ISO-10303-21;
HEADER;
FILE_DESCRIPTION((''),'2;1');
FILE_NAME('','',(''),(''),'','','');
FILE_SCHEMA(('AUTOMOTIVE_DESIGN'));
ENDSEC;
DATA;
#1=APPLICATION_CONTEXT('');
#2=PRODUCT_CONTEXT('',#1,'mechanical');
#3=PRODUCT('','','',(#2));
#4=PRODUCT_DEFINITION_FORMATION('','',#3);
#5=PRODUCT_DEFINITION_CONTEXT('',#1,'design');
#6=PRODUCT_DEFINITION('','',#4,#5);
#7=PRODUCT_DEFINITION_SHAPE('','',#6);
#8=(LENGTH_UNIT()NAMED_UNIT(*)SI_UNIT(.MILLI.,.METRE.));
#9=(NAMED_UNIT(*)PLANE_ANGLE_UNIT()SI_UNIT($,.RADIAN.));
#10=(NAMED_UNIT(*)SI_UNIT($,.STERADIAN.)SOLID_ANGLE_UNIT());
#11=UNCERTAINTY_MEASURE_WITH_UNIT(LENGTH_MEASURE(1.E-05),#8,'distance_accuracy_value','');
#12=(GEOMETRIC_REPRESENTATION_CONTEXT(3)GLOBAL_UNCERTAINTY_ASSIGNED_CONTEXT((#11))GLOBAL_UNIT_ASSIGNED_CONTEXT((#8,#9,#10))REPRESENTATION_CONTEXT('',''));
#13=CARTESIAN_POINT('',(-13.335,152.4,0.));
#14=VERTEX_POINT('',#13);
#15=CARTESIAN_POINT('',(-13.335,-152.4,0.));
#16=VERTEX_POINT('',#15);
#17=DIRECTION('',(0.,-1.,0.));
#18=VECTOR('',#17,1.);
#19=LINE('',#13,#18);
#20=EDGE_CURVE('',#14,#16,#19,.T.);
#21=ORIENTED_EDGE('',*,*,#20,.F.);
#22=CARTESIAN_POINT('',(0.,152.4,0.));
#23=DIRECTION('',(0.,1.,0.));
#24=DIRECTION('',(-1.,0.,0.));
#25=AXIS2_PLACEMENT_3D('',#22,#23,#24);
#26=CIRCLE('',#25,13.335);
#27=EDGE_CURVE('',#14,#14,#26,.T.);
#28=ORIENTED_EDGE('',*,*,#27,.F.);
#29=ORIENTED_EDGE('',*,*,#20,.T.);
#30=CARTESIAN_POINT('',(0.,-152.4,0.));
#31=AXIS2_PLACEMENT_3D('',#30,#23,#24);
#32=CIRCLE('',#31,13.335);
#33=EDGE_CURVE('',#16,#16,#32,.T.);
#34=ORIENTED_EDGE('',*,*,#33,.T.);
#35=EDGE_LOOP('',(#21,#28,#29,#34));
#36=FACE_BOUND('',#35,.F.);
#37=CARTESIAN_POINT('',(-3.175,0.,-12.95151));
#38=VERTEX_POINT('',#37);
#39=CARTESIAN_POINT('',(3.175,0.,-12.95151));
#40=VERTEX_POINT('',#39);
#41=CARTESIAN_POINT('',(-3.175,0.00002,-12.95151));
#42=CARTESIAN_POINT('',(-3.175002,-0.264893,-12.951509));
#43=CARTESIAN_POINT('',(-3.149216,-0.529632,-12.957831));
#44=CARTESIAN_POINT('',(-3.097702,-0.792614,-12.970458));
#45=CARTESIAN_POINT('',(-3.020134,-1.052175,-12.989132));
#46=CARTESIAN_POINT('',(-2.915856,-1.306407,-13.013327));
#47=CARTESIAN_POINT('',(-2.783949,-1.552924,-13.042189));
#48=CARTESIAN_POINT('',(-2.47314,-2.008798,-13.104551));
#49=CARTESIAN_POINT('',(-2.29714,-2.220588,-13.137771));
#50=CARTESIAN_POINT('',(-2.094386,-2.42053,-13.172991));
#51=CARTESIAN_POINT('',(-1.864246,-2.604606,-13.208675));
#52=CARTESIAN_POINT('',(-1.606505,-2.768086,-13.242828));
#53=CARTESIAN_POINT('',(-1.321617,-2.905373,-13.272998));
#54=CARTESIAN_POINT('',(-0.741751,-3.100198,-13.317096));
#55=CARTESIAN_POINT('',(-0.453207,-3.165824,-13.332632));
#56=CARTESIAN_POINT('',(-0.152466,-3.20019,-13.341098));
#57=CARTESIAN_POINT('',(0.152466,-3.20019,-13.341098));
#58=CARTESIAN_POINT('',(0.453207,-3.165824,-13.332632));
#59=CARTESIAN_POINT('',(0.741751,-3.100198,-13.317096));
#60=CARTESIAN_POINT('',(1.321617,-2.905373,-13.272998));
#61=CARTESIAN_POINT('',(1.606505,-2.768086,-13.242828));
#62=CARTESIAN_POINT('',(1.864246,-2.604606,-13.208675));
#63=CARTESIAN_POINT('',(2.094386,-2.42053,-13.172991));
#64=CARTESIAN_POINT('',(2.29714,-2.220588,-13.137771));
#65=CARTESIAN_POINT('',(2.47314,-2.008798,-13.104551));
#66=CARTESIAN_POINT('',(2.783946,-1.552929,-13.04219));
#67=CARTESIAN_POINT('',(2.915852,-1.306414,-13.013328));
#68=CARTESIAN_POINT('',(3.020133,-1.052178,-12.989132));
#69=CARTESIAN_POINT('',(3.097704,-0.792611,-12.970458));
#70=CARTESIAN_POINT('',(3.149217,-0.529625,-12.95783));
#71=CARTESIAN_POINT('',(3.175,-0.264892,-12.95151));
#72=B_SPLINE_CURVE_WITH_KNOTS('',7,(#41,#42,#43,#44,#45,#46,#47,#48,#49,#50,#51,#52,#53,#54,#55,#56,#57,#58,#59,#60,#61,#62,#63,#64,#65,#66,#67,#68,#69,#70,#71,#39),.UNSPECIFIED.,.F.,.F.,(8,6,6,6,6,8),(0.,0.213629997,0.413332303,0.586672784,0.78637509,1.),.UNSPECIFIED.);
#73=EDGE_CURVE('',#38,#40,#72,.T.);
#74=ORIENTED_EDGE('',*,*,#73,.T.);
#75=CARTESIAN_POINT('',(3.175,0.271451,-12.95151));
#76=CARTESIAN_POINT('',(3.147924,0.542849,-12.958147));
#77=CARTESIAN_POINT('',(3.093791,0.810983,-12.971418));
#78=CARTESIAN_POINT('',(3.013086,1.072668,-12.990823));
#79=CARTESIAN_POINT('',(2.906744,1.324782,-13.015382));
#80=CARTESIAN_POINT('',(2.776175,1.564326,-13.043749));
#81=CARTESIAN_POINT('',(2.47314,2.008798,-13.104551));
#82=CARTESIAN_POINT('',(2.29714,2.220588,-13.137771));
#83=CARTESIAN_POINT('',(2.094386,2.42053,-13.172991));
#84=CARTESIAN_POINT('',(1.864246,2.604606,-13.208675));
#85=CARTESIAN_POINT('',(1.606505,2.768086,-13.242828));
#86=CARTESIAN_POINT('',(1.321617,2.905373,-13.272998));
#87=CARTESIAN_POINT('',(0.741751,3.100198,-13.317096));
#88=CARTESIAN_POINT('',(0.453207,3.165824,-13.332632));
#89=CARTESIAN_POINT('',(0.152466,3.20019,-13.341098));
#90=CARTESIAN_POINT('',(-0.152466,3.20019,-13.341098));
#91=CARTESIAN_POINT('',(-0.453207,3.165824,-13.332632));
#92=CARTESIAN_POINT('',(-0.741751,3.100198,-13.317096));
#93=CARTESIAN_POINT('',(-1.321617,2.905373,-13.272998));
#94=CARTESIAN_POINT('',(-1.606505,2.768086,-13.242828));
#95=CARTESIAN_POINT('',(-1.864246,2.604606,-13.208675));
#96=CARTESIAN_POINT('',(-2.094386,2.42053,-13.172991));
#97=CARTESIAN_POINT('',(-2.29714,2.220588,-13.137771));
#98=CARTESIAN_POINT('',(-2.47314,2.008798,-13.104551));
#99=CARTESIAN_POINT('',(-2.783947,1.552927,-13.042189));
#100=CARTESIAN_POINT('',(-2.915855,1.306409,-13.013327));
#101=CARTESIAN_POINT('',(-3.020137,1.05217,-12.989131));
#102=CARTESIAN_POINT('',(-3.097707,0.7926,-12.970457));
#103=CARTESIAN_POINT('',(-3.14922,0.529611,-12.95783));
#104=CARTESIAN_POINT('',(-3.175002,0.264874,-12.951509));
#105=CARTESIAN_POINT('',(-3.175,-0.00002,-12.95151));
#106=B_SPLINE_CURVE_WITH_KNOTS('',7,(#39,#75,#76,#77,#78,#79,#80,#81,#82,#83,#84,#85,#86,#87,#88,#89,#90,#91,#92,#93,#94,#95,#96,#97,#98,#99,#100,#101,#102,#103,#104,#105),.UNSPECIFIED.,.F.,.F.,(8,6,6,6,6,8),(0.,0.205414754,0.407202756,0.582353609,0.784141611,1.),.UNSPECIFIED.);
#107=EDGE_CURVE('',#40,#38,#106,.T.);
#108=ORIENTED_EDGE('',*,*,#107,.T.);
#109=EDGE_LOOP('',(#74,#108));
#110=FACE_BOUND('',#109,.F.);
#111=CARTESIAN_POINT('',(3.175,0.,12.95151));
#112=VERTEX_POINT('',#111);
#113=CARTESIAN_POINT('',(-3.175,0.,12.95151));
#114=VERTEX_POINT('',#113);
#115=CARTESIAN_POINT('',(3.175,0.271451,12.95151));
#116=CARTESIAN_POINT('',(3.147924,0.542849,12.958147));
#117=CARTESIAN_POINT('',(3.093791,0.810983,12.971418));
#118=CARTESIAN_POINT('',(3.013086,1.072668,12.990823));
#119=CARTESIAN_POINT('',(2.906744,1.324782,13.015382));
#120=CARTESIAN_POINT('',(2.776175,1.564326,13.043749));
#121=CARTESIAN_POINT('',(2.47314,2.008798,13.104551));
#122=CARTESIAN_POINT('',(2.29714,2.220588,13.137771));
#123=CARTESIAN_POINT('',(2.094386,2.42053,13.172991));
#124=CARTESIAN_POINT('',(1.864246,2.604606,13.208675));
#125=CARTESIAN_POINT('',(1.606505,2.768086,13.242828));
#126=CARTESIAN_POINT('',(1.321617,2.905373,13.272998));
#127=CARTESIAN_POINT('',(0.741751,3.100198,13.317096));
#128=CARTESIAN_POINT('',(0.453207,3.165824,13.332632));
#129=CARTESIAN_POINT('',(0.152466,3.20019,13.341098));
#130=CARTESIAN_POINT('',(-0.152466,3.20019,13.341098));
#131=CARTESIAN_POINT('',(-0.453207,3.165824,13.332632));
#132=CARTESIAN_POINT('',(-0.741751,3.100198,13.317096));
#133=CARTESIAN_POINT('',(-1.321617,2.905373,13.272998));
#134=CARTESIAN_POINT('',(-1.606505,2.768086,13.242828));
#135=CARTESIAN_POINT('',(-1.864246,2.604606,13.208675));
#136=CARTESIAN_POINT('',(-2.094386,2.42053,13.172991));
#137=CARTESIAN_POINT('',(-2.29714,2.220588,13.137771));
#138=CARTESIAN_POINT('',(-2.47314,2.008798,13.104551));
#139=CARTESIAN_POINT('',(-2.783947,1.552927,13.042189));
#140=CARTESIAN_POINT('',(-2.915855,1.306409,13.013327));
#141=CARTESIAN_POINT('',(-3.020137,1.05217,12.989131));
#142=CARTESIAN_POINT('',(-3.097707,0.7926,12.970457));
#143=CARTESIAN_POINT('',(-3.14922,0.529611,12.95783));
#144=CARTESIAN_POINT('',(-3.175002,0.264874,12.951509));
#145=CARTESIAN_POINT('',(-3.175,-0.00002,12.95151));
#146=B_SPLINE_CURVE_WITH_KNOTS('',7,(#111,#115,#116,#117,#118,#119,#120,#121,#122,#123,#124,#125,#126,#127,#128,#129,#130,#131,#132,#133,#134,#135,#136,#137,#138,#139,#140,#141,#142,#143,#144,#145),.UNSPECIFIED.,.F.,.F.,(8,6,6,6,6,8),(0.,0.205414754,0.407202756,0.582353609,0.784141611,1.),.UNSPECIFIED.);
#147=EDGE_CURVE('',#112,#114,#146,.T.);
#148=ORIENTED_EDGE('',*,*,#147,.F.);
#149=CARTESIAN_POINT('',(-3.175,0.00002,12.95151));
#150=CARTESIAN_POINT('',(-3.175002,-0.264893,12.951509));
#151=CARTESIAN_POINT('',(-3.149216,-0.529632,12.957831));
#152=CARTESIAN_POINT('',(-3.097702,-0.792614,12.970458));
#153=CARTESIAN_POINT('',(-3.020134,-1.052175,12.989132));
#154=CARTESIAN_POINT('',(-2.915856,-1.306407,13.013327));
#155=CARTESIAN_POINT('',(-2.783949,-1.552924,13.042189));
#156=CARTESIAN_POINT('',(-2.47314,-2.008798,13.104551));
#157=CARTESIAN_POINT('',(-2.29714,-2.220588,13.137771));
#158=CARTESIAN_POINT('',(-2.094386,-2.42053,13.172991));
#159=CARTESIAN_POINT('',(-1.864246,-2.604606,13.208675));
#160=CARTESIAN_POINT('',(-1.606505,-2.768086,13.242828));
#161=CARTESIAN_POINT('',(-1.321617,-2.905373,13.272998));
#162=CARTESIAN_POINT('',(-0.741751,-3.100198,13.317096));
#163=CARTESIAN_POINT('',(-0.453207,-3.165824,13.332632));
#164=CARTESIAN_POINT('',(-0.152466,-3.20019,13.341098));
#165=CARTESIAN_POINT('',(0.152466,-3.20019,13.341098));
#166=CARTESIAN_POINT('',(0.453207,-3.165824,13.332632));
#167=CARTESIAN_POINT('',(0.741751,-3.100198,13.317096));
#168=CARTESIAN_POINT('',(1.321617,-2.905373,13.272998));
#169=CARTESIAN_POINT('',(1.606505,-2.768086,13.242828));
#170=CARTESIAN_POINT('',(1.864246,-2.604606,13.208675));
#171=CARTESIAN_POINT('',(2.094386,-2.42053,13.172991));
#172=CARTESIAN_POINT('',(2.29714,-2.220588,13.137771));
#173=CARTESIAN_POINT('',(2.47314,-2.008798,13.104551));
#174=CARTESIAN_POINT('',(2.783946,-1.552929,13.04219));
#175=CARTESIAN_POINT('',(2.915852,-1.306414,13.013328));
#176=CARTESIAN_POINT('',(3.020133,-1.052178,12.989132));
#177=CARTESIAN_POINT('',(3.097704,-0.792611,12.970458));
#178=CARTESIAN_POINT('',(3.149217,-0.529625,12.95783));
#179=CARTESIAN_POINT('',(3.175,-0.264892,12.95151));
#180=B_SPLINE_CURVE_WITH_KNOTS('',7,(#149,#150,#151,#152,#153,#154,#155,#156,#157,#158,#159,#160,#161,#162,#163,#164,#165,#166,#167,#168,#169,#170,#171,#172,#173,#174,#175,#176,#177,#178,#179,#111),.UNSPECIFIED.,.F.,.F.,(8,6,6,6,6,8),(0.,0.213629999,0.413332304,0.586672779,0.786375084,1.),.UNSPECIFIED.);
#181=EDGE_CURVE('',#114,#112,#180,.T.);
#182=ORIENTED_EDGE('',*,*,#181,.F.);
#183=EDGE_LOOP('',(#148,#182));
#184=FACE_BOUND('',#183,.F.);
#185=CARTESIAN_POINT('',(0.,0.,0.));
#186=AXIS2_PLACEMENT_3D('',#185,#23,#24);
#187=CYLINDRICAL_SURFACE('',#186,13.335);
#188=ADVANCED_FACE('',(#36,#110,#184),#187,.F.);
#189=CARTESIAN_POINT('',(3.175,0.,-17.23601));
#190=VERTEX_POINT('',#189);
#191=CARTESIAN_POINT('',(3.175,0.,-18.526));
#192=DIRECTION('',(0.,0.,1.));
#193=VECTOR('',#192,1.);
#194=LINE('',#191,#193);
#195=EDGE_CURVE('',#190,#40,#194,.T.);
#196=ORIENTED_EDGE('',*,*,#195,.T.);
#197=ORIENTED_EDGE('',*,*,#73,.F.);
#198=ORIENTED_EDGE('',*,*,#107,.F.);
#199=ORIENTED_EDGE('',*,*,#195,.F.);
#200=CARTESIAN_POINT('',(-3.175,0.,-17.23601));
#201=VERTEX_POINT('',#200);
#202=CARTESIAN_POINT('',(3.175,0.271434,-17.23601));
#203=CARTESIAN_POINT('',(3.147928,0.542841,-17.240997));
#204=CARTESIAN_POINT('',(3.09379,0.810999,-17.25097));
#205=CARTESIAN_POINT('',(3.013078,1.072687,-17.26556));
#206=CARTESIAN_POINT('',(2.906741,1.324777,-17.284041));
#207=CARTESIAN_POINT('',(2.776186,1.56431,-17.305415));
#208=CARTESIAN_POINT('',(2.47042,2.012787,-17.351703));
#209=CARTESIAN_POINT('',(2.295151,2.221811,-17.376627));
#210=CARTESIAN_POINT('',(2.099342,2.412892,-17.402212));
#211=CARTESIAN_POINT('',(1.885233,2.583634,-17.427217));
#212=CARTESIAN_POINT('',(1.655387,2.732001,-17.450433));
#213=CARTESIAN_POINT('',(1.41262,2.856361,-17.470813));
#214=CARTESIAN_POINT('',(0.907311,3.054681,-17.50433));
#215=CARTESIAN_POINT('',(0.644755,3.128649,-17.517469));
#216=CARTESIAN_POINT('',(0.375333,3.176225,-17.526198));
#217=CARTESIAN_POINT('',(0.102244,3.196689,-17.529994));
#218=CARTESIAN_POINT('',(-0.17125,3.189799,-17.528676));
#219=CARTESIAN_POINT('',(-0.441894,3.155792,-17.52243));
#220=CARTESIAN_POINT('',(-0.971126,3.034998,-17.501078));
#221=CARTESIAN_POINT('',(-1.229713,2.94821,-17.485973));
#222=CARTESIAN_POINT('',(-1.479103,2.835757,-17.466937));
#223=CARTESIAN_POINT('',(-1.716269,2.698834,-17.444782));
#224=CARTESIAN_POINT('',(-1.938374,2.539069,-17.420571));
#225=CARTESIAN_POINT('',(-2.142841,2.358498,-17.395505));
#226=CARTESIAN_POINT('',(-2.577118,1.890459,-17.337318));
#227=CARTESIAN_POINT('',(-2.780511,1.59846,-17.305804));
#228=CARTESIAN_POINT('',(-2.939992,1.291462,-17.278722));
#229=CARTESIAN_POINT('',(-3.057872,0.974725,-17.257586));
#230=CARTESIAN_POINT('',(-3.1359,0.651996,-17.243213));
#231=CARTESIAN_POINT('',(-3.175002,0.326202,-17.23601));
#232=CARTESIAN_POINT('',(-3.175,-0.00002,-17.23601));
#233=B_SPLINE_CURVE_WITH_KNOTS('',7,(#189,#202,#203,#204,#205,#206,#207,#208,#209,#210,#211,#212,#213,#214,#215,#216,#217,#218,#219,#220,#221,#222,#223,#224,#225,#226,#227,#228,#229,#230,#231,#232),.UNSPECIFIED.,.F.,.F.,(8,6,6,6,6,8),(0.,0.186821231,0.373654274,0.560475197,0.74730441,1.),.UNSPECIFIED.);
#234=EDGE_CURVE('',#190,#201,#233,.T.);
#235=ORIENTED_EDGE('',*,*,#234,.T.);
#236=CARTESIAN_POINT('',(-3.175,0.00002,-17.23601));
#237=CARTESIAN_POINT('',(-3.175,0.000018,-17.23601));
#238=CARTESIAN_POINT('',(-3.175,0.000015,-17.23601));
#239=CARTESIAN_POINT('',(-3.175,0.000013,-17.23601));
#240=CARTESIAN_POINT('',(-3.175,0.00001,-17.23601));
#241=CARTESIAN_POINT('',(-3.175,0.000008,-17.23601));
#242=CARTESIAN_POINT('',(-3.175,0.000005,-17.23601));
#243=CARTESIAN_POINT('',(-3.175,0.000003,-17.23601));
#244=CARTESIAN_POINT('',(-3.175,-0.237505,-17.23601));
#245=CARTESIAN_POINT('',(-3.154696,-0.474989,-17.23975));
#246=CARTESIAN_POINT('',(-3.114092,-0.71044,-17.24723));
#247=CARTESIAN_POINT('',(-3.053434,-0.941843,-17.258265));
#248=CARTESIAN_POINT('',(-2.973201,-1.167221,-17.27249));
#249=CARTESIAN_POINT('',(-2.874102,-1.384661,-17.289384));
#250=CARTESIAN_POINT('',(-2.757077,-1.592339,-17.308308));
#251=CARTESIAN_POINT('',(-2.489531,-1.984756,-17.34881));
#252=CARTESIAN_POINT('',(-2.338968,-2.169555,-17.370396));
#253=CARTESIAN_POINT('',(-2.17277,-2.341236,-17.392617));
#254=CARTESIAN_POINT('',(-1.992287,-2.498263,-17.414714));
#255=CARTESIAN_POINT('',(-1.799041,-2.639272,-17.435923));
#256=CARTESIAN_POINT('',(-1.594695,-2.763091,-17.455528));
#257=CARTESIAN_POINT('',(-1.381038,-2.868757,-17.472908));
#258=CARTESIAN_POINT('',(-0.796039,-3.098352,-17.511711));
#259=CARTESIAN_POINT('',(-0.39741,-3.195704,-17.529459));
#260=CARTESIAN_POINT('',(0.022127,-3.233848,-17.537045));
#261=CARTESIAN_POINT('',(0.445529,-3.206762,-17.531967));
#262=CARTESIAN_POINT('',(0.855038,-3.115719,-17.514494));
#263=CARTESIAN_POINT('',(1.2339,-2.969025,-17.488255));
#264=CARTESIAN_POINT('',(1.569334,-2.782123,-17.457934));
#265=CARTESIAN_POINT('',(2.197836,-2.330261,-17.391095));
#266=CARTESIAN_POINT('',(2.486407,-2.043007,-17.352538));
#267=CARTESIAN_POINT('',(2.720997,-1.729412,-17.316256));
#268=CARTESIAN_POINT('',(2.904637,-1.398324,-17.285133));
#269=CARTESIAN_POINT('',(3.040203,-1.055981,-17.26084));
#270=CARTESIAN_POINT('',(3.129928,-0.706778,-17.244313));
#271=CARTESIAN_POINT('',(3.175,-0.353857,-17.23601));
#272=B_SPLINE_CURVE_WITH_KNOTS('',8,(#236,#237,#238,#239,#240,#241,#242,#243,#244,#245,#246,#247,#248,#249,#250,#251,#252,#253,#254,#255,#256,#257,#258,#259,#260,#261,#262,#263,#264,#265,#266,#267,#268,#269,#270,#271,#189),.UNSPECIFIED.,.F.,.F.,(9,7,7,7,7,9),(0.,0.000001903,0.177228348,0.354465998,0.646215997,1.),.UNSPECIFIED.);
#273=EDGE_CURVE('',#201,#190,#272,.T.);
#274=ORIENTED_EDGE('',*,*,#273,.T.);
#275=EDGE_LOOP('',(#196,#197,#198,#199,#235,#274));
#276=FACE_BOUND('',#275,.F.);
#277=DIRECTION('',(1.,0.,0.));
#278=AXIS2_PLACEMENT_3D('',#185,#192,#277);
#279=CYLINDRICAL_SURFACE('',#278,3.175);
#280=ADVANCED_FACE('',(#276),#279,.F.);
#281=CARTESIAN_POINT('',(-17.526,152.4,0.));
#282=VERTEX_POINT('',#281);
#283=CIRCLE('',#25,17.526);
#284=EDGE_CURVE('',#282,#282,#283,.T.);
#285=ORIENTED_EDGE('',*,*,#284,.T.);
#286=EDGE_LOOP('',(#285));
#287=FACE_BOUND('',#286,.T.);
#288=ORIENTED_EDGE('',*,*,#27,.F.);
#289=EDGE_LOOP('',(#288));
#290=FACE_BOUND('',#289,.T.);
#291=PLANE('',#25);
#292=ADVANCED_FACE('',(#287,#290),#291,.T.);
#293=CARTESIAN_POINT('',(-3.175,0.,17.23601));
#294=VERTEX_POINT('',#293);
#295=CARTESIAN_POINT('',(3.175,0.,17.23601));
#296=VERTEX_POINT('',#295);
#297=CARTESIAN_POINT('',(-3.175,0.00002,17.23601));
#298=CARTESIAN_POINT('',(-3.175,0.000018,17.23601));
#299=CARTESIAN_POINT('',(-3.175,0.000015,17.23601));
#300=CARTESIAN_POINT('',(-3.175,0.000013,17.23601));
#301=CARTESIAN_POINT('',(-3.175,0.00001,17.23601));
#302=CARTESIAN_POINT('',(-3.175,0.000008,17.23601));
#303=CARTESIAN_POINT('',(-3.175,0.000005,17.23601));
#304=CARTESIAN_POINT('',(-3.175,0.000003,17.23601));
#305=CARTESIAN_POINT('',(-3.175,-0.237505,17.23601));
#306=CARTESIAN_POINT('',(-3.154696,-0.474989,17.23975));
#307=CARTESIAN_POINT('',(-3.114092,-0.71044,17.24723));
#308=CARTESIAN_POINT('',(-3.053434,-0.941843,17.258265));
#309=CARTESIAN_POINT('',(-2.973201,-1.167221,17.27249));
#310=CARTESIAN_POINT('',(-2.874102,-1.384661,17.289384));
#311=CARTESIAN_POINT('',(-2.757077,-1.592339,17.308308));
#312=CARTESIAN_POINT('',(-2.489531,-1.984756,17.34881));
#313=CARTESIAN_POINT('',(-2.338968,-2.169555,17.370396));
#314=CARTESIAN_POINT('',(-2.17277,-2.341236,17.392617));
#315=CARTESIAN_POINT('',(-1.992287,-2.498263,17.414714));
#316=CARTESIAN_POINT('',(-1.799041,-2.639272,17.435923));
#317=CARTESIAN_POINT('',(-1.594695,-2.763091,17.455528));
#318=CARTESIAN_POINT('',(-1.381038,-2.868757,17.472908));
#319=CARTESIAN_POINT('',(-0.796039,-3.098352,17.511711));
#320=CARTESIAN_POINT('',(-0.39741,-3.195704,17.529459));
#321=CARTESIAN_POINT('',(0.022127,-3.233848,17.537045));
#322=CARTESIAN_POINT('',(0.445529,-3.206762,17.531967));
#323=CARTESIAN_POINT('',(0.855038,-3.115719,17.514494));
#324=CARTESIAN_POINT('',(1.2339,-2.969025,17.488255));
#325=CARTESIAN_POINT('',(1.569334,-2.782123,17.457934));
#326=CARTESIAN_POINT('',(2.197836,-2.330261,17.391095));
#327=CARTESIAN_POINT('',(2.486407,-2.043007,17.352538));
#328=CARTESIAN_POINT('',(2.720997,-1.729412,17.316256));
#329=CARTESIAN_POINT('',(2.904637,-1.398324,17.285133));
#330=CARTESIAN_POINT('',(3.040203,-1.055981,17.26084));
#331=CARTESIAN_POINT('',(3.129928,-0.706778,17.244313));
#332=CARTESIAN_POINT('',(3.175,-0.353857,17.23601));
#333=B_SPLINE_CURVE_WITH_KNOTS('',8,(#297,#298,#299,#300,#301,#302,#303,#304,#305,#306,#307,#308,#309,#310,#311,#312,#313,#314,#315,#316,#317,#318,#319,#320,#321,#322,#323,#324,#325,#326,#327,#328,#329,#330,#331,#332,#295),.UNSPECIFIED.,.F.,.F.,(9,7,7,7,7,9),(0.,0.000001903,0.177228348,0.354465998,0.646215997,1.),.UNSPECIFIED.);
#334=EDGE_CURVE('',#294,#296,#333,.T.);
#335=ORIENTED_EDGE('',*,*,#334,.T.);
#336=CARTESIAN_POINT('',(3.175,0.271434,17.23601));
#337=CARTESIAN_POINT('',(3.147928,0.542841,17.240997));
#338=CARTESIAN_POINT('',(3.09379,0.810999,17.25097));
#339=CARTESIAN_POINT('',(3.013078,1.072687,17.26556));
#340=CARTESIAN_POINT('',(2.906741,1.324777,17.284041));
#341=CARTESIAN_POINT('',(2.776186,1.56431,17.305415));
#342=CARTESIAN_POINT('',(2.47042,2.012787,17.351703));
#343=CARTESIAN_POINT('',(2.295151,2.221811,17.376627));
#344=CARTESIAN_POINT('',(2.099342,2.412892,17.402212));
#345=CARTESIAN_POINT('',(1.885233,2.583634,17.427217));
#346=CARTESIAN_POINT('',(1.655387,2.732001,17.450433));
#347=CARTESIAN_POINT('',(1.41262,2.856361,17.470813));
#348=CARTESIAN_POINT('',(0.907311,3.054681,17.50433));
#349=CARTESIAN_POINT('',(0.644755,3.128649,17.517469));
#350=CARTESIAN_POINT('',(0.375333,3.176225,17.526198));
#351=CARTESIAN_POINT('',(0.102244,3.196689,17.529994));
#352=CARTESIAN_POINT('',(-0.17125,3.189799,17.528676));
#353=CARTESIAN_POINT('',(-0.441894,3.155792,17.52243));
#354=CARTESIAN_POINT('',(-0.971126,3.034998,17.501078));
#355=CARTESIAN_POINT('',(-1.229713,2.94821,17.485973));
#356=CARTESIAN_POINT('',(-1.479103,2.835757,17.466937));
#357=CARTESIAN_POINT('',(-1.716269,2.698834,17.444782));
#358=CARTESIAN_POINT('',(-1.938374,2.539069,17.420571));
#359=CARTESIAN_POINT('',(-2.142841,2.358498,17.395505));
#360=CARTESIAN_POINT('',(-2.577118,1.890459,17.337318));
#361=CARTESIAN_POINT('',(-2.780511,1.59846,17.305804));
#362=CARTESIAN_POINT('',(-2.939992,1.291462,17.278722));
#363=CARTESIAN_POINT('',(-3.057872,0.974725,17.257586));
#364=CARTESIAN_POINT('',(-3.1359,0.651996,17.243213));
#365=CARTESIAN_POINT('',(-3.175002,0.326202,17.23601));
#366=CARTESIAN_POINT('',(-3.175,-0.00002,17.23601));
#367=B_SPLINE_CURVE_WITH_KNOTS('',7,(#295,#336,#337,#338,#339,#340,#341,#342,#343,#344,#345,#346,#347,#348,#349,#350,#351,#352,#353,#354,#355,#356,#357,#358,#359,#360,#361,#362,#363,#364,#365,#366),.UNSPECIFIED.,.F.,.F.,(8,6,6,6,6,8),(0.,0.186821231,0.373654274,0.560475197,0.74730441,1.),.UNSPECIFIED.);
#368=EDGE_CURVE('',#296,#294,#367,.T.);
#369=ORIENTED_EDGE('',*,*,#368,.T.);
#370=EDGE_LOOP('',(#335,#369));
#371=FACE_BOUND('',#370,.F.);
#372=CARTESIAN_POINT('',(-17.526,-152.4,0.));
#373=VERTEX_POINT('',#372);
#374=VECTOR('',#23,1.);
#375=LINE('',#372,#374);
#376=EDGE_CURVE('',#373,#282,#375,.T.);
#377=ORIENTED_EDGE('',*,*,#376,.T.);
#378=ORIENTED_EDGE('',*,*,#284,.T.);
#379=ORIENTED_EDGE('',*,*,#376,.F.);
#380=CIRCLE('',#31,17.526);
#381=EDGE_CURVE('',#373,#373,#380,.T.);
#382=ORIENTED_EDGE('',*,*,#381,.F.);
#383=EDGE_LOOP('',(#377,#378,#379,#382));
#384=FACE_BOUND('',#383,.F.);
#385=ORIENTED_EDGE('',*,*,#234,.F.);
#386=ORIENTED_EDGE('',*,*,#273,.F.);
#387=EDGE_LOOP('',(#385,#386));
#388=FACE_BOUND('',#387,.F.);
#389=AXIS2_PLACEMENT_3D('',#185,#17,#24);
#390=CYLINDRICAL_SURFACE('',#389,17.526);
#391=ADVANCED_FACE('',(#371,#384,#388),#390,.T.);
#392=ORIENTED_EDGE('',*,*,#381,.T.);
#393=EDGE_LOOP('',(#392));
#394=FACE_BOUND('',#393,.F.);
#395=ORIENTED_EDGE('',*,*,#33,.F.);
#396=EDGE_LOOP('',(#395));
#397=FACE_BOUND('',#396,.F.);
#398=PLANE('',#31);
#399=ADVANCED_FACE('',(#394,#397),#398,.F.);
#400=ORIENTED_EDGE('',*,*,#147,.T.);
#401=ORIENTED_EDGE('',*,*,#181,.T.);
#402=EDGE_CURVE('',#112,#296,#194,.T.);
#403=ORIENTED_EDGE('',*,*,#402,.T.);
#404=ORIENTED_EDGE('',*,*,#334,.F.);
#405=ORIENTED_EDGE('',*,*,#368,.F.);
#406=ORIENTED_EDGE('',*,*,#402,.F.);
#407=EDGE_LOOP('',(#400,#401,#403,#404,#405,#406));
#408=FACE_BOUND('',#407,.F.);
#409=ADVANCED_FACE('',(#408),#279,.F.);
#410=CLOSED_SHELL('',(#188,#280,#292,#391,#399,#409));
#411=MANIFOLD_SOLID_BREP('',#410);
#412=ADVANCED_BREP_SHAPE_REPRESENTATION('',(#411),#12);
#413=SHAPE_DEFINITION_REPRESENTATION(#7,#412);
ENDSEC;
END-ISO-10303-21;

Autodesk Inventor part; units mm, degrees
ref_plane "YZ Plane" through (0, 0, 0) normal (1, 0, 0) x (0, 1, 0)
ref_plane "XZ Plane" through (0, 0, 0) normal (0, 1, 0) x (-1, 0, 0)
ref_plane "XY Plane" through (0, 0, 0) normal (0, 0, 1) x (1, 0, 0)
sketch "Sketch1" plane through (0, 0, 0) normal (0, 1, 0) x (-1, 0, 0)
  circle A0 centre (0, 0) radius 13.335
  circle A1 centre (0, 0) radius 17.526
  dimension "d0" = 26.67
  dimension "d1" = 35.052
extrude "Extrusion1" add sketch "Sketch1" along normal mid plane 304.8
sketch "Sketch3" plane through (0, 0, 0) normal (0, 0, 1) x (1, 0, 0)
  circle A0 centre (0, 0) radius 3.175
  line L0 (-13.335, 152.4) -> (13.335, 152.4) projected
  dimension "d16" = 152.4
extrude "Extrusion3" cut sketch "Sketch3" against normal through all both and the other way through all
properties part number "FE-120-005 Door Insert" material "PVC-Piping"
